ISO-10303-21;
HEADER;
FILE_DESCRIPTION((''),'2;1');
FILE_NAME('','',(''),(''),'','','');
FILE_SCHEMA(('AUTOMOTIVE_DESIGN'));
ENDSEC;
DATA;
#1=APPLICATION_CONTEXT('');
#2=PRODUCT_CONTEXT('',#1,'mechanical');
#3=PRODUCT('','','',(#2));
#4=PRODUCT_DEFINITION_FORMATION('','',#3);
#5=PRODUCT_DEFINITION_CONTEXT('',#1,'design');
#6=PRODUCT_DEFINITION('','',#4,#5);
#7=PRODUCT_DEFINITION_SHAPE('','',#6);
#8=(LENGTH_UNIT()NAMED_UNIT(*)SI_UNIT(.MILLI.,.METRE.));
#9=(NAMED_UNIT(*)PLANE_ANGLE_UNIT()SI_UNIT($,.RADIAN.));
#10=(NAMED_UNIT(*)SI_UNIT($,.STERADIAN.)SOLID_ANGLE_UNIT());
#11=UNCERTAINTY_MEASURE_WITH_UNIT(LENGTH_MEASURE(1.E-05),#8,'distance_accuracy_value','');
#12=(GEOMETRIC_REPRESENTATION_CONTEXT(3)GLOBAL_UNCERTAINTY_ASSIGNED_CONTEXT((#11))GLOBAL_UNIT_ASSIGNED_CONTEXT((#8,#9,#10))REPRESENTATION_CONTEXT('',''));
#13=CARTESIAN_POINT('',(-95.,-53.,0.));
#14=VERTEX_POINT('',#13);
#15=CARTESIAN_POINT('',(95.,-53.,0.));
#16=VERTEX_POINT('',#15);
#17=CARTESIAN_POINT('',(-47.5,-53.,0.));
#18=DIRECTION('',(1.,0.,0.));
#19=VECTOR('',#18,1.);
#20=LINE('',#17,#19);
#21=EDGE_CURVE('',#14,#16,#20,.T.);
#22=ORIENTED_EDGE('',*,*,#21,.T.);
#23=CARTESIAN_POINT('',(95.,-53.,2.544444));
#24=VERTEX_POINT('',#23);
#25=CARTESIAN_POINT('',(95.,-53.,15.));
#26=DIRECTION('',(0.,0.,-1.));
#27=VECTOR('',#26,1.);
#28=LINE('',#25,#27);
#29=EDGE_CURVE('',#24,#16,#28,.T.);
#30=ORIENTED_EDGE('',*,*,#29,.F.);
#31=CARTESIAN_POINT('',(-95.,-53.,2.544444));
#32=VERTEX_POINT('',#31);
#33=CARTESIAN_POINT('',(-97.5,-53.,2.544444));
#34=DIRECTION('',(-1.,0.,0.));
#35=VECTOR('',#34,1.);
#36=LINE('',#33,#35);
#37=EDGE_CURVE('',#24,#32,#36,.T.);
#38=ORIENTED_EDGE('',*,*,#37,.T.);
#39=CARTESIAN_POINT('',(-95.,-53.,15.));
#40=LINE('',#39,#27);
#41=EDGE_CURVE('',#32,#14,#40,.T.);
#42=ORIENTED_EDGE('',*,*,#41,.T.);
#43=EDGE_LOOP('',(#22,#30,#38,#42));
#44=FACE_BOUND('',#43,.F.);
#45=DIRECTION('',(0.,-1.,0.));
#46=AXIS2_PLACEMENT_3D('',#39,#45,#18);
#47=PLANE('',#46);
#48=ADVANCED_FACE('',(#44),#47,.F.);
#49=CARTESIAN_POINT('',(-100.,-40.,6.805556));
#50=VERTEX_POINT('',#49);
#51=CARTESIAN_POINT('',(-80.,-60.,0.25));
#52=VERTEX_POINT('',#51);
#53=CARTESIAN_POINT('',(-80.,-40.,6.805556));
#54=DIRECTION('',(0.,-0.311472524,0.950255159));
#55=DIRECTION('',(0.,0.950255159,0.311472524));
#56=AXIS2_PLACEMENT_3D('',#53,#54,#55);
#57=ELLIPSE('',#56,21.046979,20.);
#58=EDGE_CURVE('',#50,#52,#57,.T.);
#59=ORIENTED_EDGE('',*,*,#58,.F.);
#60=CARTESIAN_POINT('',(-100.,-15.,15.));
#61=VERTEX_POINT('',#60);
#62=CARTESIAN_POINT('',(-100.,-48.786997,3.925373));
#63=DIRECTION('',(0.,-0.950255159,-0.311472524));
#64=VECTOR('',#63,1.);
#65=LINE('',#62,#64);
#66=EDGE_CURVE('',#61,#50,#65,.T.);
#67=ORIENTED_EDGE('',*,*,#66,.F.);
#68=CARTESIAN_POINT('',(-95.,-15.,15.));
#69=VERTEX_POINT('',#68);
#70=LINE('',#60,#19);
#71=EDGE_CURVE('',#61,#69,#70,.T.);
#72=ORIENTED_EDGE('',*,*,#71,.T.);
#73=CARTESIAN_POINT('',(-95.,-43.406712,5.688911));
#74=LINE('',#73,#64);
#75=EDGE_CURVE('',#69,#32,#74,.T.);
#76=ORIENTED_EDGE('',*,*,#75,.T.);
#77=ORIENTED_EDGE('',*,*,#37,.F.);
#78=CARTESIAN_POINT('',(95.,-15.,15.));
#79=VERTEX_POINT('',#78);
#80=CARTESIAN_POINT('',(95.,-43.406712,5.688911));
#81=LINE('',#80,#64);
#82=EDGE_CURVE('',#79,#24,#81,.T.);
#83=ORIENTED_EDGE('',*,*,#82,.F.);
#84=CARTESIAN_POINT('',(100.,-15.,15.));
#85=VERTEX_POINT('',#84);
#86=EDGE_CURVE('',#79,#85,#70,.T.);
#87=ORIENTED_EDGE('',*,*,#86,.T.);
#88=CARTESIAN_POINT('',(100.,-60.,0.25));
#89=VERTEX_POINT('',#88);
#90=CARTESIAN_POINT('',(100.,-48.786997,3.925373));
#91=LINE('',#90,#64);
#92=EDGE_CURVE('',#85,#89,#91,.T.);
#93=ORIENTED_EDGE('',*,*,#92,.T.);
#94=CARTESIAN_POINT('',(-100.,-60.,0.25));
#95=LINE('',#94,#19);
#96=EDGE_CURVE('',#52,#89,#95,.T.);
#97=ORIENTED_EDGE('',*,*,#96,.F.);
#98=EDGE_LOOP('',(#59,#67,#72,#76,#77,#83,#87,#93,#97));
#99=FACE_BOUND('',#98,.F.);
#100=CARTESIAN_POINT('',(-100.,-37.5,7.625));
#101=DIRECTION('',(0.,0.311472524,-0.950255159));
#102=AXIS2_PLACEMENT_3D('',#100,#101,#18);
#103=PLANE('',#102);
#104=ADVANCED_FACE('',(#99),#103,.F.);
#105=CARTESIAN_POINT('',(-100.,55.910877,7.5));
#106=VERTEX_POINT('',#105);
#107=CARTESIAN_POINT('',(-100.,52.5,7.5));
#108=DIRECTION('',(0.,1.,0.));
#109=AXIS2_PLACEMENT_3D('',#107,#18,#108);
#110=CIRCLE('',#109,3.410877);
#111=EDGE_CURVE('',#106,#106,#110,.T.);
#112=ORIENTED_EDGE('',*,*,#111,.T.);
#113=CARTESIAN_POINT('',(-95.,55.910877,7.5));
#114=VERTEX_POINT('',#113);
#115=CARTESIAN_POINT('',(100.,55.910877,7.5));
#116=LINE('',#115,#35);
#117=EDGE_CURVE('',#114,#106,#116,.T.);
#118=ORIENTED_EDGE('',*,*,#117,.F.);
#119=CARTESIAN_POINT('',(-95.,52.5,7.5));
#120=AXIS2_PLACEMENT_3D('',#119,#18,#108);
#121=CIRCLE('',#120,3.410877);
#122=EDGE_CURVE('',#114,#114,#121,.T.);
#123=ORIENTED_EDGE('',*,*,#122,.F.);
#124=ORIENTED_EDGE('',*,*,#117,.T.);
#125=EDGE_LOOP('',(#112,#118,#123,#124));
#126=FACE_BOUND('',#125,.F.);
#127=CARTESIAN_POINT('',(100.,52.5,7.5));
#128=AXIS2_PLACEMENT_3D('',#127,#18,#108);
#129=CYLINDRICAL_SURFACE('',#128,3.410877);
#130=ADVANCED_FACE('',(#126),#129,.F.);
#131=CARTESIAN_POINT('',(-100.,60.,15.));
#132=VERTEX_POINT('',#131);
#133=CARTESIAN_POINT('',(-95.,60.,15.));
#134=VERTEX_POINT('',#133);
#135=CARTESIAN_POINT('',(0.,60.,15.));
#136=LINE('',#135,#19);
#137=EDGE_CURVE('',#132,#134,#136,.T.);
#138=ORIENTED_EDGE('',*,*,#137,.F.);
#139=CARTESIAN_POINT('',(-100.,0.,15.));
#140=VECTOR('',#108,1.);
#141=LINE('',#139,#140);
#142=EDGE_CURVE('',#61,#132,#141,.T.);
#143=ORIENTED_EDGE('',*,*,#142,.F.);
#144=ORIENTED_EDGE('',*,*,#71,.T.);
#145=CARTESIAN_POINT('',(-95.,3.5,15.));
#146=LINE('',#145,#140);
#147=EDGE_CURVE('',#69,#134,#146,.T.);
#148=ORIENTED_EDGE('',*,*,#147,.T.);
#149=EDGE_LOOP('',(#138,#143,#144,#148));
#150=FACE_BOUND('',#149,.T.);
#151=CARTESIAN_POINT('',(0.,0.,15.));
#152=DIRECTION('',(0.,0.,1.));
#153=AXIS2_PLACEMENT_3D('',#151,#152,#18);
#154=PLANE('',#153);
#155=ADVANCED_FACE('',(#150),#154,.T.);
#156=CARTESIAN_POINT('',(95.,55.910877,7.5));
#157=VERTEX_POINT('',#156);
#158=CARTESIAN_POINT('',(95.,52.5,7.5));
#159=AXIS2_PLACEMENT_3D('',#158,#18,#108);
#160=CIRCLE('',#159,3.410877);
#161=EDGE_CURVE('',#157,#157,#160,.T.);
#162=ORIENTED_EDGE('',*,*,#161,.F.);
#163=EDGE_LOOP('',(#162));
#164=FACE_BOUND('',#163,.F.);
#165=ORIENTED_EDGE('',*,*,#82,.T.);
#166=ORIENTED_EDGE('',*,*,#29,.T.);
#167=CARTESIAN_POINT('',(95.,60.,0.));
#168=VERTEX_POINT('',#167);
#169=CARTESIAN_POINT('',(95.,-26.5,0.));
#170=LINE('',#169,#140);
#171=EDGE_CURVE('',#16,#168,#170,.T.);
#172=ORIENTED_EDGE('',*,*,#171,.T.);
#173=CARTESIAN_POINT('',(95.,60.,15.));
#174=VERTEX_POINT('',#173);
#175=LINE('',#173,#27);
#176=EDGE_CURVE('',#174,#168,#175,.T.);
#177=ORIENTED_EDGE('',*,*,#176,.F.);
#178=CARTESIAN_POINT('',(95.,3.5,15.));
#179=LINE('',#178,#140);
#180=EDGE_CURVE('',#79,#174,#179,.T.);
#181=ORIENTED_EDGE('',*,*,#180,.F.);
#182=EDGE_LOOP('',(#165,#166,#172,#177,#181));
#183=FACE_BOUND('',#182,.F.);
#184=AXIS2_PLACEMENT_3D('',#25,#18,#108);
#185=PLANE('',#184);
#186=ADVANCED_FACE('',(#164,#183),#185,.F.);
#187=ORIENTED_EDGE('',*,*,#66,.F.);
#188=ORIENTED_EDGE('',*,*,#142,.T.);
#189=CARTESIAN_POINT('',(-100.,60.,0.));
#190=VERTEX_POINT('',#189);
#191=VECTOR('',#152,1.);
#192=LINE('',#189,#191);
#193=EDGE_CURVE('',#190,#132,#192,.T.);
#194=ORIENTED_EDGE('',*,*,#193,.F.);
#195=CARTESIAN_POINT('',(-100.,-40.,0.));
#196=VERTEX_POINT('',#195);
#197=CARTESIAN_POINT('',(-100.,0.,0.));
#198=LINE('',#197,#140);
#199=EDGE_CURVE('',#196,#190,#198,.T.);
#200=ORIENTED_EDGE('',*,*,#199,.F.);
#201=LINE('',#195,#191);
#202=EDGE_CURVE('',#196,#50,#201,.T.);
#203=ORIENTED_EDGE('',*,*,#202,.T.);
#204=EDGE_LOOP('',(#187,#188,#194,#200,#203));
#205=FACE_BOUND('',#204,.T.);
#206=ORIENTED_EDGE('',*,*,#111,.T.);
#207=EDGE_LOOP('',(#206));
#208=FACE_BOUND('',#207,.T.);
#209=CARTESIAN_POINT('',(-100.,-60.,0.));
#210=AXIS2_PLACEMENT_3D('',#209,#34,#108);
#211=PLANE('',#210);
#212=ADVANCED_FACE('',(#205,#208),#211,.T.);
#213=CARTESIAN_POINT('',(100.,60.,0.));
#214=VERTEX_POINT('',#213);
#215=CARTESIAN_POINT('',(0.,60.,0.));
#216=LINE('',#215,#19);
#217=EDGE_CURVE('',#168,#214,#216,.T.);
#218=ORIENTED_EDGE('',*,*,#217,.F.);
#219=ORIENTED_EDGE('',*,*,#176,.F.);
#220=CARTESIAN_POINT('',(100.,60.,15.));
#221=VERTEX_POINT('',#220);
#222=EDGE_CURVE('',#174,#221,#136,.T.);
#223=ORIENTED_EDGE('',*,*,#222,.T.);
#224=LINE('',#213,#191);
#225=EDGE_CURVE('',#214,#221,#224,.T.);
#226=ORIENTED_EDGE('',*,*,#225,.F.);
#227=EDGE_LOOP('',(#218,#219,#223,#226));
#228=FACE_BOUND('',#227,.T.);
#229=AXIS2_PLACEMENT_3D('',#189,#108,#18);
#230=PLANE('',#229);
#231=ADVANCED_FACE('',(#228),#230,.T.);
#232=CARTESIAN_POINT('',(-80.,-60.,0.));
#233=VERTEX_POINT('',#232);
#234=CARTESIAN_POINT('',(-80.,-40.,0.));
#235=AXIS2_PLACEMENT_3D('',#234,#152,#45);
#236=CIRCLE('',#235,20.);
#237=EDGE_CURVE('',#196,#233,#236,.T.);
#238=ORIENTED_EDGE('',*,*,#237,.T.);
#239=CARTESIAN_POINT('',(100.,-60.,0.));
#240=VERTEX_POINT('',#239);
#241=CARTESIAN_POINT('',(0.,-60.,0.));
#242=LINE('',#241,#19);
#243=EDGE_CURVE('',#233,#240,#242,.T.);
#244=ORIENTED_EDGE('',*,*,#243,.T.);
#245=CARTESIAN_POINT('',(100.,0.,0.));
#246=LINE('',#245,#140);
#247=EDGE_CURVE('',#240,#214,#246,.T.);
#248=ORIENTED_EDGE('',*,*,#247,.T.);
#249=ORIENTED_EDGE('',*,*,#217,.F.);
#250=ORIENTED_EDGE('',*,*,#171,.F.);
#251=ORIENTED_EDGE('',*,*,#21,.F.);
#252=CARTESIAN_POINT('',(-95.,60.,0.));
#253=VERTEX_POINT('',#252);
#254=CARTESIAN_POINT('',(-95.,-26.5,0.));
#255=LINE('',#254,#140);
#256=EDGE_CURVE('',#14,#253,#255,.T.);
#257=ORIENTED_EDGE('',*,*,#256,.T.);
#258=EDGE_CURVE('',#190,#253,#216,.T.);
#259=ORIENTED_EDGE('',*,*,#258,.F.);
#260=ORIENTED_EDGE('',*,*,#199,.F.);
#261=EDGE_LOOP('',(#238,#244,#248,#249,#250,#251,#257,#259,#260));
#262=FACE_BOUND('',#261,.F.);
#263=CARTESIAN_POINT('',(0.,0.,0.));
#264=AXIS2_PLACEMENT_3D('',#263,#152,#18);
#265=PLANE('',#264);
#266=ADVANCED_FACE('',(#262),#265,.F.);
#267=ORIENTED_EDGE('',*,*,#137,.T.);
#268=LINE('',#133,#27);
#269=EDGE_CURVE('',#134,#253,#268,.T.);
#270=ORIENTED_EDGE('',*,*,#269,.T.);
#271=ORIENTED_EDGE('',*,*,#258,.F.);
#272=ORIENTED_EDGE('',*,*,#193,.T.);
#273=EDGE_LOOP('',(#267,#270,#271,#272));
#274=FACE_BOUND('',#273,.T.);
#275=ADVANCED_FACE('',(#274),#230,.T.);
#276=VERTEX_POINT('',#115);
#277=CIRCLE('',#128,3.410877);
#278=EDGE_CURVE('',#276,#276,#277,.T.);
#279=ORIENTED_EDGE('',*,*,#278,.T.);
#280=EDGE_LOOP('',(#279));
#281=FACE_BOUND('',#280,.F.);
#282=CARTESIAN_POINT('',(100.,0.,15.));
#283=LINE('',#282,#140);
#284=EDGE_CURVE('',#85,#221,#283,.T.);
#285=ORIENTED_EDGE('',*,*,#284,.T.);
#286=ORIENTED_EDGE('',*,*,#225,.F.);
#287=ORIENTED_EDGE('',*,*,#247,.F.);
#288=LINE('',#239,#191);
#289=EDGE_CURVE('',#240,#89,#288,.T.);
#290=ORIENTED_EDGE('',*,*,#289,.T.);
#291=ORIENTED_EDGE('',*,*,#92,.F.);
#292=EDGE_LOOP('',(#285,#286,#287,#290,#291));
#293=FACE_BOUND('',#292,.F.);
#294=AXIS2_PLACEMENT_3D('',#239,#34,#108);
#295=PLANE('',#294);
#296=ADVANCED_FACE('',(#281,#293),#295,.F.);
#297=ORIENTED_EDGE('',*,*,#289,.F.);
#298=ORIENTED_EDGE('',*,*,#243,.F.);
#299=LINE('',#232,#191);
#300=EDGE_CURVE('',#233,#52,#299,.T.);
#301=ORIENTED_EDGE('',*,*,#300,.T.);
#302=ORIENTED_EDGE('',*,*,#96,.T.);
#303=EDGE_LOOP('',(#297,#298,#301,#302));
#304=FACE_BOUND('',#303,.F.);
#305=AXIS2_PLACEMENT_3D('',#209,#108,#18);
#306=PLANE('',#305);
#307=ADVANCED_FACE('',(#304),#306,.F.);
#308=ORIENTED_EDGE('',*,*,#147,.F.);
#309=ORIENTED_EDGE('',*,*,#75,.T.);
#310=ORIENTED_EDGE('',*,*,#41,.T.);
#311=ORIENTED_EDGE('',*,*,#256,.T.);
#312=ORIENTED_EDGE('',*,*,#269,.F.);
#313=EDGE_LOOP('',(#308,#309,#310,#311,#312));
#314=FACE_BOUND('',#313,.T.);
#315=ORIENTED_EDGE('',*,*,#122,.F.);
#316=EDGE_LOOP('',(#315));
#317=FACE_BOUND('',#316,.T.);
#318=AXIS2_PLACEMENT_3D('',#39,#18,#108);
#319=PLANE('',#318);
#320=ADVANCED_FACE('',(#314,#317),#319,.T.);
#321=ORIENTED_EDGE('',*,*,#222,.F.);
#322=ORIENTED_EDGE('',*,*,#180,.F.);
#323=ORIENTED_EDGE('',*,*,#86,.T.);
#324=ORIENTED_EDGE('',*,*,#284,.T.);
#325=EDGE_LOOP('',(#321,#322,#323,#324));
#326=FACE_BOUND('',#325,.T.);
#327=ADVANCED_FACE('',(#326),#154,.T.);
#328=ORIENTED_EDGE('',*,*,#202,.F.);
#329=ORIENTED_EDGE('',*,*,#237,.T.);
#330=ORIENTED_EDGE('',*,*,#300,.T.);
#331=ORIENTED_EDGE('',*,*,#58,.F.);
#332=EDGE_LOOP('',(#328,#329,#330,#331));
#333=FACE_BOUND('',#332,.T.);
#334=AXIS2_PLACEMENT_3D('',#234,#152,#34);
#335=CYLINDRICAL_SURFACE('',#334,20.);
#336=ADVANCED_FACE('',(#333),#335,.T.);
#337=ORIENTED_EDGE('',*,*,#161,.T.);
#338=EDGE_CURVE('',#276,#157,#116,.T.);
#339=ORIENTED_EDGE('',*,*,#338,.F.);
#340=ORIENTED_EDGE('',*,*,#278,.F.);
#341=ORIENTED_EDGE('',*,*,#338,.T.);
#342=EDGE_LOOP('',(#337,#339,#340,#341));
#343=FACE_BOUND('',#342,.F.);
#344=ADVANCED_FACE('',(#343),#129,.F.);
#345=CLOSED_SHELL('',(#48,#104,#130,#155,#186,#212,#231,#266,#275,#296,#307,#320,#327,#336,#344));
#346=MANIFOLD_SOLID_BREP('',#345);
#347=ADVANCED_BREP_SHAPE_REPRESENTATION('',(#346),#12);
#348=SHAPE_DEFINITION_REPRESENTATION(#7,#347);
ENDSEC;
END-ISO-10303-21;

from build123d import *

# Parameters (mm, degrees)
F0_W     = 200
F0_H     = 120
F1_DEPTH = 15
F2_R     = 3.4108766744
F3_DEPTH = 200.001
F4_SIZE2 = 14.75
F4_SIZE  = 45
F5_R     = 20
F6_W     = 190
F6_H     = 113
F7_DEPTH = 15.001


with BuildPart() as f1:
    # F0 (on Top) → F1 (new body)
    with BuildSketch(Plane.XY):
        Rectangle(F0_W, F0_H)
    extrude(amount=F1_DEPTH)

    # F2 (on face) → F3 (cut, through all)
    with BuildSketch(Plane.YZ.offset(100)):
        with Locations((52.5, 7.5)):
            Circle(F2_R)
    extrude(amount=-F3_DEPTH, mode=Mode.SUBTRACT)

    # F4
    f4_edges = [f1.edges().sort_by_distance(p)[0] for p in [
        (0, -60, 15),
    ]]
    f4_side = f1.faces().sort_by_distance((0, 0, 15))[0]
    chamfer(f4_edges, length=F4_SIZE, length2=F4_SIZE2, reference=f4_side)

    # F5
    f5_edges = [f1.edges().sort_by_distance(p)[0] for p in [
        (-100, -60, 0.125),
    ]]
    fillet(f5_edges, radius=F5_R)

    # F6 (on face) → F7 (cut, through all)
    with BuildSketch(Plane.XY.offset(15)):
        with Locations((0, 3.5)):
            Rectangle(F6_W, F6_H)
    extrude(amount=-F7_DEPTH, mode=Mode.SUBTRACT)


solid = f1.part
